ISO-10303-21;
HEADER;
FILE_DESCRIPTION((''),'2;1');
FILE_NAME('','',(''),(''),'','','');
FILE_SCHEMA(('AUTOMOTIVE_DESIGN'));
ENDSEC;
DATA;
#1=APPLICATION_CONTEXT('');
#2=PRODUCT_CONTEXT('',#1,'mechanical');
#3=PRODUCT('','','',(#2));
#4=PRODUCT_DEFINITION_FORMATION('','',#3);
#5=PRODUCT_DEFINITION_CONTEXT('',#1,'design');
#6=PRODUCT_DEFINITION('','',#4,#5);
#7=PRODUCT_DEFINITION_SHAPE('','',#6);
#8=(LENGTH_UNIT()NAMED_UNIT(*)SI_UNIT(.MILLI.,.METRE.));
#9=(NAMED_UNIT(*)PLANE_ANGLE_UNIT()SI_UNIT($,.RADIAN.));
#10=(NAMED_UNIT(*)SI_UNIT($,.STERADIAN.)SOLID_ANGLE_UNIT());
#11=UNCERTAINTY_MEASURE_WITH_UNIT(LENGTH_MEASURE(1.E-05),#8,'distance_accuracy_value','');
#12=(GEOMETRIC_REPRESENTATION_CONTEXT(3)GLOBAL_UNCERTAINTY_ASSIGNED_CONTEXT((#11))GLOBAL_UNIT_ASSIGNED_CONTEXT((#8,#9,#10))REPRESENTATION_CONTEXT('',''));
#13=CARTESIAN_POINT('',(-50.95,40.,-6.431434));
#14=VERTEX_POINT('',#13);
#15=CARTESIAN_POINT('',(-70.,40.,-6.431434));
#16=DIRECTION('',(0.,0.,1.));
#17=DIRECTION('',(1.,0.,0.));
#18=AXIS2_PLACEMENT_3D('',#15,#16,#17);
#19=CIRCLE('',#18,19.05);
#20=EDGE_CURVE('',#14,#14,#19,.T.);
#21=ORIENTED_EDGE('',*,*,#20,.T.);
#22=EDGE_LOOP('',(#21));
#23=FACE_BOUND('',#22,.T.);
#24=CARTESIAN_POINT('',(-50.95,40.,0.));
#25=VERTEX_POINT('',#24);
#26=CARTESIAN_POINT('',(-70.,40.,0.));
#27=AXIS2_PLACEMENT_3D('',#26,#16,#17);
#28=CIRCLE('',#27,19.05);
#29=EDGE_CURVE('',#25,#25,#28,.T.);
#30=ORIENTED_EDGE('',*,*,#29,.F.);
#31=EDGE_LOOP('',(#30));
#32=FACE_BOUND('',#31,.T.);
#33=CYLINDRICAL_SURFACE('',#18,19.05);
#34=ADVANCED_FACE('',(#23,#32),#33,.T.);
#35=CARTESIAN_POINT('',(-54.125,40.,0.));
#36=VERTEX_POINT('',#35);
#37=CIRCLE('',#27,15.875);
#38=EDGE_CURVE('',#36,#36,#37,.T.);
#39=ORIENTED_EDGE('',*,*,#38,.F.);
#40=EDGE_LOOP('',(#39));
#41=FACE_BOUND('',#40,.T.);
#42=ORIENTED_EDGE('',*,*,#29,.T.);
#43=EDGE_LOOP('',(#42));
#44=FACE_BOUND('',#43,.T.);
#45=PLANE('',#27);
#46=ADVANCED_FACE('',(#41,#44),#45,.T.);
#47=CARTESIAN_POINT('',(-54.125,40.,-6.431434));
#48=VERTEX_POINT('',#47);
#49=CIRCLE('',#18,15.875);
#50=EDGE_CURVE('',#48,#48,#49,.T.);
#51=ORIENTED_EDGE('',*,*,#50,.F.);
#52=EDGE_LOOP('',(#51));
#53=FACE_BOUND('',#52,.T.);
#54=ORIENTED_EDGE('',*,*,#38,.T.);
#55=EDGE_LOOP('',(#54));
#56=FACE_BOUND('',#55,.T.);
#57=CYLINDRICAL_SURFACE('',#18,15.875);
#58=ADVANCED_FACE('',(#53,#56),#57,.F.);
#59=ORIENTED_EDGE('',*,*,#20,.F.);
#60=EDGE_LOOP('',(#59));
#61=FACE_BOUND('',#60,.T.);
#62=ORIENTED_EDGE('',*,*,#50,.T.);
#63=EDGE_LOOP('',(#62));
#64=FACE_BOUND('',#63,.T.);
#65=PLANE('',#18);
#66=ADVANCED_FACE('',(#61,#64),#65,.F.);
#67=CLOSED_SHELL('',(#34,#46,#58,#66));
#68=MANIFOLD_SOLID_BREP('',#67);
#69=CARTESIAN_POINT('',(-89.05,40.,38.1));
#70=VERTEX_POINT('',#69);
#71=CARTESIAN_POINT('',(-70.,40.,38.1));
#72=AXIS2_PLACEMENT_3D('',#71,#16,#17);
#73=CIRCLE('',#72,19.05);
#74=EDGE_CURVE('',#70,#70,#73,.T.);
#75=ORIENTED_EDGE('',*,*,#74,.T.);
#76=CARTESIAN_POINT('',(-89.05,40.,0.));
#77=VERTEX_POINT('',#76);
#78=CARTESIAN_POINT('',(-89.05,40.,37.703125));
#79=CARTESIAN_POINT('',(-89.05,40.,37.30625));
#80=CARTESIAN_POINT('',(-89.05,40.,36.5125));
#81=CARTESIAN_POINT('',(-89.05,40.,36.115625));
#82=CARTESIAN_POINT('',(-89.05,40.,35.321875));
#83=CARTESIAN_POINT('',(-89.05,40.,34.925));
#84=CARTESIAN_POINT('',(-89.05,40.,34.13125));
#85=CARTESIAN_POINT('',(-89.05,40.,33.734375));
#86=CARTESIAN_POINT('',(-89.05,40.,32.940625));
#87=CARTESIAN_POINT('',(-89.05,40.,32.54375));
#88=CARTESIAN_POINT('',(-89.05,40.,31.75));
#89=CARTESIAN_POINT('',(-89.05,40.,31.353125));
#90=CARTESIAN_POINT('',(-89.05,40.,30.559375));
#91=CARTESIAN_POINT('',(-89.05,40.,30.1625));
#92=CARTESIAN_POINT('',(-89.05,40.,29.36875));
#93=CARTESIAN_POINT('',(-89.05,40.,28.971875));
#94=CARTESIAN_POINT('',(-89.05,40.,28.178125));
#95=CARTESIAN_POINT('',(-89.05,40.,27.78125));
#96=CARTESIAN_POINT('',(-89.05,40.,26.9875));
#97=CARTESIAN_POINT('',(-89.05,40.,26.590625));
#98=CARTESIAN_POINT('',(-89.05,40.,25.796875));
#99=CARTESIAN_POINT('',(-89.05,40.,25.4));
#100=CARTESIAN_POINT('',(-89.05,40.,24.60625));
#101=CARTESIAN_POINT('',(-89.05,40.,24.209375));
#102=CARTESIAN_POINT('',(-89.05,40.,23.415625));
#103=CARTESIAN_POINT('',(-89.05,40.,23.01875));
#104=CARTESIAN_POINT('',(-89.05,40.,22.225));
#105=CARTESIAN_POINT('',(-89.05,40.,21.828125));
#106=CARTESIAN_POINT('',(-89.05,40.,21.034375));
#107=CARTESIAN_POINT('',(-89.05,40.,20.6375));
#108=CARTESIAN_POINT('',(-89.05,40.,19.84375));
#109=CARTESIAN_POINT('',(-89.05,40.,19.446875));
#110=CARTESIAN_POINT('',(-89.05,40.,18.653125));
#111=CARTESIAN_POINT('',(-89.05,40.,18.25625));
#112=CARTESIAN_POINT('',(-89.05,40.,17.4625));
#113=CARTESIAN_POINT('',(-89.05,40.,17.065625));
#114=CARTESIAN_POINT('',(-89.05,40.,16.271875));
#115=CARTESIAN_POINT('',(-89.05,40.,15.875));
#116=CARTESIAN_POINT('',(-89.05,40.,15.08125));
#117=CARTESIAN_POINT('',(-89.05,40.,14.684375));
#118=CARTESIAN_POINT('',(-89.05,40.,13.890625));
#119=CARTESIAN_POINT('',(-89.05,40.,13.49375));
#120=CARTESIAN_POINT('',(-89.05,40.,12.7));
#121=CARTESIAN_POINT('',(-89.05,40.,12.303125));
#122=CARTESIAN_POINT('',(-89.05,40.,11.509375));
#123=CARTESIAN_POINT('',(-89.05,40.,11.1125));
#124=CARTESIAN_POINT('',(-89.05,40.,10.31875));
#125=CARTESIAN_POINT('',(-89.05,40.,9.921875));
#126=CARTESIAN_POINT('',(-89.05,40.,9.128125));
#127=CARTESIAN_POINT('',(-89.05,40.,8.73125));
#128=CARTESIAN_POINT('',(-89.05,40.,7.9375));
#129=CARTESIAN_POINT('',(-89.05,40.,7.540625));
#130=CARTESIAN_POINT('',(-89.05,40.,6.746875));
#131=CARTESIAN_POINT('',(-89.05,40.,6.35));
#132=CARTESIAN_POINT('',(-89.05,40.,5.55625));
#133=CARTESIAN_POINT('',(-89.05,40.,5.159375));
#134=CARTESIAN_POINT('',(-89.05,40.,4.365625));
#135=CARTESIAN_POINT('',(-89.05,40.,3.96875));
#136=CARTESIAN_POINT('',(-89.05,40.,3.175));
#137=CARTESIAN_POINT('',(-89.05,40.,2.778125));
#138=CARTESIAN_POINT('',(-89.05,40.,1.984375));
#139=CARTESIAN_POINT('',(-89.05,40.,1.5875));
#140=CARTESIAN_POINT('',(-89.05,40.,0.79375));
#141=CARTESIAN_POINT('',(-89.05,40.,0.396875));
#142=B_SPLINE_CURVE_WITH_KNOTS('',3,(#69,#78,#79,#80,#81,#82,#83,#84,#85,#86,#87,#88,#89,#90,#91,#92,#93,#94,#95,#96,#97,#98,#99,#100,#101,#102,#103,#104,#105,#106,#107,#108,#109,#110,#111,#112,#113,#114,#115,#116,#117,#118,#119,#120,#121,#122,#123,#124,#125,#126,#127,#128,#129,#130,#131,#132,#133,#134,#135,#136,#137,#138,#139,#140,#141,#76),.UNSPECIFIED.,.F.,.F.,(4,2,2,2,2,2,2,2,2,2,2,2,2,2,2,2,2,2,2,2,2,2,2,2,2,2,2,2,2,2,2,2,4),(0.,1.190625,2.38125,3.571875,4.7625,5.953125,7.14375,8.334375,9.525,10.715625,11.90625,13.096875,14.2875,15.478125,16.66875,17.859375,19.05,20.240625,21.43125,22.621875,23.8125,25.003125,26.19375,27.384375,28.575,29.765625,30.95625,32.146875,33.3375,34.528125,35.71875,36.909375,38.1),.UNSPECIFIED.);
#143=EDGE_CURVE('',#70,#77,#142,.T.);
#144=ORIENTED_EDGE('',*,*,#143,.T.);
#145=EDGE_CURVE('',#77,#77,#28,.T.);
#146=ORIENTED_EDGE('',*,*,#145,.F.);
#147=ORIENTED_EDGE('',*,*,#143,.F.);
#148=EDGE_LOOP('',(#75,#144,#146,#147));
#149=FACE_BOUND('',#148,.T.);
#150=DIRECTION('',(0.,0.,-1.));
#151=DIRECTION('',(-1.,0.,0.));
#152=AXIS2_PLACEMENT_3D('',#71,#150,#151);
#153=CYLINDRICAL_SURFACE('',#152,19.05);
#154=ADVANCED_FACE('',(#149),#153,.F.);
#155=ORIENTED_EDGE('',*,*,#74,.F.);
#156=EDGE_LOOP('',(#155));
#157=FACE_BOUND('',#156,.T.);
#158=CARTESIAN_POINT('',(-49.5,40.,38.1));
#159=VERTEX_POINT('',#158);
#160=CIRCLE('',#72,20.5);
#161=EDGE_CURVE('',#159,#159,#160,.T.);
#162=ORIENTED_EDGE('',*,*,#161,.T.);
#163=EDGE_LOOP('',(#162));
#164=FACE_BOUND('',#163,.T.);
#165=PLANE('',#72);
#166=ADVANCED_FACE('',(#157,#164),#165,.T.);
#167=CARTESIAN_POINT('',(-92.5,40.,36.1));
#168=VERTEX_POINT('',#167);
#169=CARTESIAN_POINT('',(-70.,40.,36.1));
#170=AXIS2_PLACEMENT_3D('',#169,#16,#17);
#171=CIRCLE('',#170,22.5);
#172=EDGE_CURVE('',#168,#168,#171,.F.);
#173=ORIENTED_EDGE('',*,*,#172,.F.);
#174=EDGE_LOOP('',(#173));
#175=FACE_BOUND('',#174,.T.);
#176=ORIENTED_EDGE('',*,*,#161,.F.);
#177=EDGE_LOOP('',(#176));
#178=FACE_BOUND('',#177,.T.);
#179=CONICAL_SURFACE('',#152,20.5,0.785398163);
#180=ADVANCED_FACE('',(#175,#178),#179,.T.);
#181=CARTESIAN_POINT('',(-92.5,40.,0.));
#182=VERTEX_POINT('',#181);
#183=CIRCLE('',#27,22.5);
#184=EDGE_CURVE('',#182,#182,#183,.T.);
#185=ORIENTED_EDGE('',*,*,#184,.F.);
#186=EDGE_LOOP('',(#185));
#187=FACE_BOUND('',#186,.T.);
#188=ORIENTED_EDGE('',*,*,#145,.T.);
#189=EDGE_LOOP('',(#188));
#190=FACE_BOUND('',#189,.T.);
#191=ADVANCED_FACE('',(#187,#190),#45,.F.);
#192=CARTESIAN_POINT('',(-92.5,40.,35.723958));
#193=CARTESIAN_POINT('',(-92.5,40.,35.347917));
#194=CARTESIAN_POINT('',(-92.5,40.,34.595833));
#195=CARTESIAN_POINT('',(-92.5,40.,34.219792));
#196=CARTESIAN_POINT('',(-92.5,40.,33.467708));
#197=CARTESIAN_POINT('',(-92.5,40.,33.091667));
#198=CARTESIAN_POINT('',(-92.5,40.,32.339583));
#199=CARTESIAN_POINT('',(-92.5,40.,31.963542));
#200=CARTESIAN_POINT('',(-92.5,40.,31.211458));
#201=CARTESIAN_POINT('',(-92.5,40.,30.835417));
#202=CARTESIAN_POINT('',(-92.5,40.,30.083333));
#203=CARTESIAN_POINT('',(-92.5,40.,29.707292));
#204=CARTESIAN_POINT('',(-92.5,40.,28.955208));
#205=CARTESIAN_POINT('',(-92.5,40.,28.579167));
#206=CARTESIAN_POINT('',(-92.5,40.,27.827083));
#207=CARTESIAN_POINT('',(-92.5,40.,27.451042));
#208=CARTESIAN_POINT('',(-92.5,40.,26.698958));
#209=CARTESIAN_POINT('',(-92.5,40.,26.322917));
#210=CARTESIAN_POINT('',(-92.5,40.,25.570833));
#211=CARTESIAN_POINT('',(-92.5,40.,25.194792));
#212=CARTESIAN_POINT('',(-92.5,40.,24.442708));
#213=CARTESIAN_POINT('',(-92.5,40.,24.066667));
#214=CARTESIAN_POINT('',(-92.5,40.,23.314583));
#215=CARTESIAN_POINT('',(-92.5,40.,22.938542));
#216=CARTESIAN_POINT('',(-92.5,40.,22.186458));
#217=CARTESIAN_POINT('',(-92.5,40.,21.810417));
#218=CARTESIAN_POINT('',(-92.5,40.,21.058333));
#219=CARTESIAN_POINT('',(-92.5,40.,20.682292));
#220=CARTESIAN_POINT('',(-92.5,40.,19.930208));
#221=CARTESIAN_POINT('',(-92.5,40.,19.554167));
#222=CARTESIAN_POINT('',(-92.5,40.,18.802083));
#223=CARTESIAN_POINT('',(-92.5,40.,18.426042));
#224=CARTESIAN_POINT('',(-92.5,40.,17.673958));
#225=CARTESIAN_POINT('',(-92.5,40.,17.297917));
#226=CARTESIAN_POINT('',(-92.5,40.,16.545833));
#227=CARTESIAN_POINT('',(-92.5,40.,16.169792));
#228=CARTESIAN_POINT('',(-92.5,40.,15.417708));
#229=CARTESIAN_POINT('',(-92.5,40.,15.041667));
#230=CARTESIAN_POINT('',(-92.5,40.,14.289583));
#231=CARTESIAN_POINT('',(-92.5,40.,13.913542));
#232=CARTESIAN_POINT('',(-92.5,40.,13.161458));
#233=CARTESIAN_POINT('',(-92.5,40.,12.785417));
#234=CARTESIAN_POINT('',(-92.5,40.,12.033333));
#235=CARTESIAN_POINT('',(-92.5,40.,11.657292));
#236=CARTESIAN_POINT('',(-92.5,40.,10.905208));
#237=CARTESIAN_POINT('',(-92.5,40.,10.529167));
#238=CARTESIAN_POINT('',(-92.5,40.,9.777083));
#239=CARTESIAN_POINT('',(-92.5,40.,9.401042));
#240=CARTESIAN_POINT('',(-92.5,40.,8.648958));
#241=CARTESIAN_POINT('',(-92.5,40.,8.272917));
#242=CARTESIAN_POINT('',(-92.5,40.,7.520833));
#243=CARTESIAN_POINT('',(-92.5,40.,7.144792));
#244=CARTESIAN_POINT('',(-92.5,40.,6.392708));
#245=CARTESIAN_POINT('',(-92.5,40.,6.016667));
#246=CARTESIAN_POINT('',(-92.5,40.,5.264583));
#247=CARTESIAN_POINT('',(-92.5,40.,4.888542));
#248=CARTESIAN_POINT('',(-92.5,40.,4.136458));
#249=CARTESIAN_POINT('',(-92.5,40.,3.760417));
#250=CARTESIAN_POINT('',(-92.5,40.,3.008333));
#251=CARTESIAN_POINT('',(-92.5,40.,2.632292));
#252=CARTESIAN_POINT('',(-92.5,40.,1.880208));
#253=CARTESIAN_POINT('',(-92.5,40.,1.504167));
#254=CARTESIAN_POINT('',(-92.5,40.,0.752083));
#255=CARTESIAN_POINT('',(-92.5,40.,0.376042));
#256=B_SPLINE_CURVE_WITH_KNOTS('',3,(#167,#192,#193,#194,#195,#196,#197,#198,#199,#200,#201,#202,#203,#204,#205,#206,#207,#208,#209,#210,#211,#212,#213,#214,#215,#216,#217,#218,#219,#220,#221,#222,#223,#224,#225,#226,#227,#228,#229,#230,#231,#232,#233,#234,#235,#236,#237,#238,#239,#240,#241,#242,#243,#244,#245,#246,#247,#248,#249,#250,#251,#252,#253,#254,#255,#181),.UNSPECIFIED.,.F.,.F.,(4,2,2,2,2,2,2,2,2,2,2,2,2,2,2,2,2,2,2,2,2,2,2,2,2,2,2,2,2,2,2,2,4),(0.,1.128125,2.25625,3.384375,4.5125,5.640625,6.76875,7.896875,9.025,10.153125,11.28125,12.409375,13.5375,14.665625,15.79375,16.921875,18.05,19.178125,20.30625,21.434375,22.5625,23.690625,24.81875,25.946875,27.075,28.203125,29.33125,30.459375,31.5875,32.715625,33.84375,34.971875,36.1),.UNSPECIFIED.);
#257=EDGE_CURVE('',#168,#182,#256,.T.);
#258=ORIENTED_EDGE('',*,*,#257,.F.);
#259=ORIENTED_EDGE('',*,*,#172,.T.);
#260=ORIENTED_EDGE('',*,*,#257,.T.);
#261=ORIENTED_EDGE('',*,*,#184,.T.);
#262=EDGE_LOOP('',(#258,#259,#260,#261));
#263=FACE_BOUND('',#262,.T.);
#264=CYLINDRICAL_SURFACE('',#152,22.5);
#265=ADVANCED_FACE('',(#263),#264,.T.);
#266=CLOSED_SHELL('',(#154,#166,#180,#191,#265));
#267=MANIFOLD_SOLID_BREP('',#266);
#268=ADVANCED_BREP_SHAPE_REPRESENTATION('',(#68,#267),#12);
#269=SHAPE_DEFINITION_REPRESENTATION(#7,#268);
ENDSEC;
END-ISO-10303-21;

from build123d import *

# Parameters (mm, degrees)
SKETCH1_R           = 22.5
SKETCH1_R_2         = 19.05
BOSS_EXTRUDE1_DEPTH = 38.1
SKETCH2_R           = 19.05
SKETCH2_R_2         = 15.875
BOSS_EXTRUDE2_DEPTH = 6.431433883
CHAMFER1_SIZE       = 2


with BuildPart() as part:
    # Sketch1 → Boss-Extrude1 (new body)
    with BuildSketch(Plane.XY):
        with Locations(Location((-70, 40, 0), (0, 0, 180))):
            Circle(SKETCH1_R)
        with Locations(Location((-70, 40, 0), (0, 0, 180))):
            Circle(SKETCH1_R_2, mode=Mode.SUBTRACT)
    extrude(amount=BOSS_EXTRUDE1_DEPTH)

    # Chamfer1
    chamfer1_edges = [part.edges().sort_by_distance(p)[0] for p in [
        (-47.5, 40, 38.1),
    ]]
    chamfer(chamfer1_edges, length=CHAMFER1_SIZE)


with BuildPart() as body_2:
    # Sketch2 → Boss-Extrude2 (new body)
    with BuildSketch(Plane.XY):
        with Locations((-70, 40)):
            Circle(SKETCH2_R)
        with Locations((-70, 40)):
            Circle(SKETCH2_R_2, mode=Mode.SUBTRACT)
    extrude(amount=-BOSS_EXTRUDE2_DEPTH)


solid = Compound([part.part, body_2.part])
